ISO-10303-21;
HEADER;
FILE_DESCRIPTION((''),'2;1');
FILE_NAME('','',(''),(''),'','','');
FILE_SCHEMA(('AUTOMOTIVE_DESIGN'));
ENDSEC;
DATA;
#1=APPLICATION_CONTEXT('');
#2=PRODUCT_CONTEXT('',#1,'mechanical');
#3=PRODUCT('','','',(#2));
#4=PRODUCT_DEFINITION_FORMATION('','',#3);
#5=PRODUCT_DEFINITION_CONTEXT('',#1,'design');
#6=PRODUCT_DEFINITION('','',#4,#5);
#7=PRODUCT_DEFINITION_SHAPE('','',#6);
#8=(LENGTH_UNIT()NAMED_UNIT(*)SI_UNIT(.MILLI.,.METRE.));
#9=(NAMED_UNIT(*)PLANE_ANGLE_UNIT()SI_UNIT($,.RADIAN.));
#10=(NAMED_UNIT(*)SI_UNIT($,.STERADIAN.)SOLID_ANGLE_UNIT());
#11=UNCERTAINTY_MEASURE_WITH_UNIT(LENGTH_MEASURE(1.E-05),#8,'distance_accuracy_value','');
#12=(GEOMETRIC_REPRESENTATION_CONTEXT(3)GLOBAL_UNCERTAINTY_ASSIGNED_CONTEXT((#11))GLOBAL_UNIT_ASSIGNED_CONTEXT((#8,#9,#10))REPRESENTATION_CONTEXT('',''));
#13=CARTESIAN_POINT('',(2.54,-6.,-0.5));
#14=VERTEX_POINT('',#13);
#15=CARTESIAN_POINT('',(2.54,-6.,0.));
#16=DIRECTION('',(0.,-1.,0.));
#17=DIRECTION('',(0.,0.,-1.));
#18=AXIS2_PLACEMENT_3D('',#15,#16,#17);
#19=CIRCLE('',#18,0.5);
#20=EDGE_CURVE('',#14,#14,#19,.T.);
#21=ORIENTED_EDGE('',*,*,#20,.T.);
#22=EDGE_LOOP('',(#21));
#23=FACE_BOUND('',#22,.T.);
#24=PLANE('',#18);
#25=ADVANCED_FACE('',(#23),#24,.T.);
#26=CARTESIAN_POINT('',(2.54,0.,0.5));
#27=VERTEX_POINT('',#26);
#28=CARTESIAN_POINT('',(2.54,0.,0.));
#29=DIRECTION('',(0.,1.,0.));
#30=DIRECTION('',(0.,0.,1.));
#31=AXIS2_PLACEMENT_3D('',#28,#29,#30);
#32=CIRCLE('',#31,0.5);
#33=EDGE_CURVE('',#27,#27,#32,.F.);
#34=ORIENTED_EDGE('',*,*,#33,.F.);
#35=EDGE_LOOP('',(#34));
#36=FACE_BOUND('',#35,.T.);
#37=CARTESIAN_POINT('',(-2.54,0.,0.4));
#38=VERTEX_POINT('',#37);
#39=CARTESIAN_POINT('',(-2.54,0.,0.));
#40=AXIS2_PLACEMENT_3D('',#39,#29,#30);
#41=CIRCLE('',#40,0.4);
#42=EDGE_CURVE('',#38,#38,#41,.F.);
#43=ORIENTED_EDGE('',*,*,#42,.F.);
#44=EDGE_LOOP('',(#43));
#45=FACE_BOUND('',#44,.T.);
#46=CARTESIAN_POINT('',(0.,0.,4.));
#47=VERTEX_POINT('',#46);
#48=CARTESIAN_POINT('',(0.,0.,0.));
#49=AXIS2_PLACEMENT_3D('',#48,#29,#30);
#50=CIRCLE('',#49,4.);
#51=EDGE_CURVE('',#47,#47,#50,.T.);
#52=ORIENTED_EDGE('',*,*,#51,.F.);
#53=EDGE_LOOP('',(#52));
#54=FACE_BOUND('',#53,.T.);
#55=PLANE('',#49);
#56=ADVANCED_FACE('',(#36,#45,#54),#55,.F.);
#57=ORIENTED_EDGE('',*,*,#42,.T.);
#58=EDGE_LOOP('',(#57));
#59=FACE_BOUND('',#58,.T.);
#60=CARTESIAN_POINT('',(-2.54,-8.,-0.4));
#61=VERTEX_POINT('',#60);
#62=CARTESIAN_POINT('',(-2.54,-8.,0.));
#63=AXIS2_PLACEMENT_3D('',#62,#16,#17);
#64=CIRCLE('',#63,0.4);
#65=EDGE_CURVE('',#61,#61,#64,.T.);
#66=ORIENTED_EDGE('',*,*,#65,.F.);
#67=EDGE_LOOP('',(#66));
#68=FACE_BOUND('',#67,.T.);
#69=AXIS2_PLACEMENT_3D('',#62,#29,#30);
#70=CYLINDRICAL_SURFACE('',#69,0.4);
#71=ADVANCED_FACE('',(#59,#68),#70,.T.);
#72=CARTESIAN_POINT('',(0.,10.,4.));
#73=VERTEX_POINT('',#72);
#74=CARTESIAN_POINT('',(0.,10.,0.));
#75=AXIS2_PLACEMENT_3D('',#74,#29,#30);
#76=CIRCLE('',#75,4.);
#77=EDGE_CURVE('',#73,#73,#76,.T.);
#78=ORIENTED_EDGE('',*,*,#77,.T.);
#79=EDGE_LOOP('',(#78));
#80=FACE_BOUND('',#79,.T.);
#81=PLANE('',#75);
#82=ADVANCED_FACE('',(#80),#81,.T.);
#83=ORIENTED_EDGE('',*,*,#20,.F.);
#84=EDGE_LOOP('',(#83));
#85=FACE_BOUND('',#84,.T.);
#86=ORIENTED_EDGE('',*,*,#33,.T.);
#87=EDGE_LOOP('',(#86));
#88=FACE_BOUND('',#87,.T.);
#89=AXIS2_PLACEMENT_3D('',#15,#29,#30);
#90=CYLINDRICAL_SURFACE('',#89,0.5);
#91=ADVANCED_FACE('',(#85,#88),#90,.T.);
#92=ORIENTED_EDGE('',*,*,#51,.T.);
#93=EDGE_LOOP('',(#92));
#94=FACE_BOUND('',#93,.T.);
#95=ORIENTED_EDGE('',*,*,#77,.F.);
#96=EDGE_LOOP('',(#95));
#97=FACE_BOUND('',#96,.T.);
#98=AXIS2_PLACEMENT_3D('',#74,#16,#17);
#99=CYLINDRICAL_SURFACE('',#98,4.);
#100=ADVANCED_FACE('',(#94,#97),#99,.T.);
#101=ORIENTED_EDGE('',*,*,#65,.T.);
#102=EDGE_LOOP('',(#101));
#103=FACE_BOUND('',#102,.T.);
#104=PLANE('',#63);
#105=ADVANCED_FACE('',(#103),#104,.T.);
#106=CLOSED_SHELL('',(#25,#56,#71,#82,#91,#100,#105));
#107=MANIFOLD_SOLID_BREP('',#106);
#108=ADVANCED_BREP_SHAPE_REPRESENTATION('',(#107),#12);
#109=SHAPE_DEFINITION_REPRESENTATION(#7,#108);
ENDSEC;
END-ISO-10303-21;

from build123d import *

# Parameters (mm, degrees)
SKETCH_1_R      = 4
EXTRUDE_1_DEPTH = 10
SKETCH_2_R      = 0.4
EXTRUDE_2_DEPTH = 8
SKETCH_3_R      = 0.5
EXTRUDE_3_DEPTH = 6


with BuildPart() as part:
    # 草图1 → 拉伸1 (new body)
    with BuildSketch(Plane(origin=(0, 0, 0), x_dir=(1, 0, 0), z_dir=(0, 1, 0))):
        with Locations(Location((0, 0, 0), (0, 0, 270))):
            Circle(SKETCH_1_R)
    extrude(amount=EXTRUDE_1_DEPTH)

    # 草图2 → 拉伸2 (add)
    with BuildSketch(Plane.XZ):
        with Locations(Location((-2.54, 0, 0), (0, 0, 90))):
            Circle(SKETCH_2_R)
    extrude(amount=EXTRUDE_2_DEPTH)

    # 草图3 → 拉伸3 (add)
    with BuildSketch(Plane.XZ):
        with Locations(Location((2.54, 0, 0), (0, 0, 90))):
            Circle(SKETCH_3_R)
    extrude(amount=EXTRUDE_3_DEPTH)


solid = part.part
